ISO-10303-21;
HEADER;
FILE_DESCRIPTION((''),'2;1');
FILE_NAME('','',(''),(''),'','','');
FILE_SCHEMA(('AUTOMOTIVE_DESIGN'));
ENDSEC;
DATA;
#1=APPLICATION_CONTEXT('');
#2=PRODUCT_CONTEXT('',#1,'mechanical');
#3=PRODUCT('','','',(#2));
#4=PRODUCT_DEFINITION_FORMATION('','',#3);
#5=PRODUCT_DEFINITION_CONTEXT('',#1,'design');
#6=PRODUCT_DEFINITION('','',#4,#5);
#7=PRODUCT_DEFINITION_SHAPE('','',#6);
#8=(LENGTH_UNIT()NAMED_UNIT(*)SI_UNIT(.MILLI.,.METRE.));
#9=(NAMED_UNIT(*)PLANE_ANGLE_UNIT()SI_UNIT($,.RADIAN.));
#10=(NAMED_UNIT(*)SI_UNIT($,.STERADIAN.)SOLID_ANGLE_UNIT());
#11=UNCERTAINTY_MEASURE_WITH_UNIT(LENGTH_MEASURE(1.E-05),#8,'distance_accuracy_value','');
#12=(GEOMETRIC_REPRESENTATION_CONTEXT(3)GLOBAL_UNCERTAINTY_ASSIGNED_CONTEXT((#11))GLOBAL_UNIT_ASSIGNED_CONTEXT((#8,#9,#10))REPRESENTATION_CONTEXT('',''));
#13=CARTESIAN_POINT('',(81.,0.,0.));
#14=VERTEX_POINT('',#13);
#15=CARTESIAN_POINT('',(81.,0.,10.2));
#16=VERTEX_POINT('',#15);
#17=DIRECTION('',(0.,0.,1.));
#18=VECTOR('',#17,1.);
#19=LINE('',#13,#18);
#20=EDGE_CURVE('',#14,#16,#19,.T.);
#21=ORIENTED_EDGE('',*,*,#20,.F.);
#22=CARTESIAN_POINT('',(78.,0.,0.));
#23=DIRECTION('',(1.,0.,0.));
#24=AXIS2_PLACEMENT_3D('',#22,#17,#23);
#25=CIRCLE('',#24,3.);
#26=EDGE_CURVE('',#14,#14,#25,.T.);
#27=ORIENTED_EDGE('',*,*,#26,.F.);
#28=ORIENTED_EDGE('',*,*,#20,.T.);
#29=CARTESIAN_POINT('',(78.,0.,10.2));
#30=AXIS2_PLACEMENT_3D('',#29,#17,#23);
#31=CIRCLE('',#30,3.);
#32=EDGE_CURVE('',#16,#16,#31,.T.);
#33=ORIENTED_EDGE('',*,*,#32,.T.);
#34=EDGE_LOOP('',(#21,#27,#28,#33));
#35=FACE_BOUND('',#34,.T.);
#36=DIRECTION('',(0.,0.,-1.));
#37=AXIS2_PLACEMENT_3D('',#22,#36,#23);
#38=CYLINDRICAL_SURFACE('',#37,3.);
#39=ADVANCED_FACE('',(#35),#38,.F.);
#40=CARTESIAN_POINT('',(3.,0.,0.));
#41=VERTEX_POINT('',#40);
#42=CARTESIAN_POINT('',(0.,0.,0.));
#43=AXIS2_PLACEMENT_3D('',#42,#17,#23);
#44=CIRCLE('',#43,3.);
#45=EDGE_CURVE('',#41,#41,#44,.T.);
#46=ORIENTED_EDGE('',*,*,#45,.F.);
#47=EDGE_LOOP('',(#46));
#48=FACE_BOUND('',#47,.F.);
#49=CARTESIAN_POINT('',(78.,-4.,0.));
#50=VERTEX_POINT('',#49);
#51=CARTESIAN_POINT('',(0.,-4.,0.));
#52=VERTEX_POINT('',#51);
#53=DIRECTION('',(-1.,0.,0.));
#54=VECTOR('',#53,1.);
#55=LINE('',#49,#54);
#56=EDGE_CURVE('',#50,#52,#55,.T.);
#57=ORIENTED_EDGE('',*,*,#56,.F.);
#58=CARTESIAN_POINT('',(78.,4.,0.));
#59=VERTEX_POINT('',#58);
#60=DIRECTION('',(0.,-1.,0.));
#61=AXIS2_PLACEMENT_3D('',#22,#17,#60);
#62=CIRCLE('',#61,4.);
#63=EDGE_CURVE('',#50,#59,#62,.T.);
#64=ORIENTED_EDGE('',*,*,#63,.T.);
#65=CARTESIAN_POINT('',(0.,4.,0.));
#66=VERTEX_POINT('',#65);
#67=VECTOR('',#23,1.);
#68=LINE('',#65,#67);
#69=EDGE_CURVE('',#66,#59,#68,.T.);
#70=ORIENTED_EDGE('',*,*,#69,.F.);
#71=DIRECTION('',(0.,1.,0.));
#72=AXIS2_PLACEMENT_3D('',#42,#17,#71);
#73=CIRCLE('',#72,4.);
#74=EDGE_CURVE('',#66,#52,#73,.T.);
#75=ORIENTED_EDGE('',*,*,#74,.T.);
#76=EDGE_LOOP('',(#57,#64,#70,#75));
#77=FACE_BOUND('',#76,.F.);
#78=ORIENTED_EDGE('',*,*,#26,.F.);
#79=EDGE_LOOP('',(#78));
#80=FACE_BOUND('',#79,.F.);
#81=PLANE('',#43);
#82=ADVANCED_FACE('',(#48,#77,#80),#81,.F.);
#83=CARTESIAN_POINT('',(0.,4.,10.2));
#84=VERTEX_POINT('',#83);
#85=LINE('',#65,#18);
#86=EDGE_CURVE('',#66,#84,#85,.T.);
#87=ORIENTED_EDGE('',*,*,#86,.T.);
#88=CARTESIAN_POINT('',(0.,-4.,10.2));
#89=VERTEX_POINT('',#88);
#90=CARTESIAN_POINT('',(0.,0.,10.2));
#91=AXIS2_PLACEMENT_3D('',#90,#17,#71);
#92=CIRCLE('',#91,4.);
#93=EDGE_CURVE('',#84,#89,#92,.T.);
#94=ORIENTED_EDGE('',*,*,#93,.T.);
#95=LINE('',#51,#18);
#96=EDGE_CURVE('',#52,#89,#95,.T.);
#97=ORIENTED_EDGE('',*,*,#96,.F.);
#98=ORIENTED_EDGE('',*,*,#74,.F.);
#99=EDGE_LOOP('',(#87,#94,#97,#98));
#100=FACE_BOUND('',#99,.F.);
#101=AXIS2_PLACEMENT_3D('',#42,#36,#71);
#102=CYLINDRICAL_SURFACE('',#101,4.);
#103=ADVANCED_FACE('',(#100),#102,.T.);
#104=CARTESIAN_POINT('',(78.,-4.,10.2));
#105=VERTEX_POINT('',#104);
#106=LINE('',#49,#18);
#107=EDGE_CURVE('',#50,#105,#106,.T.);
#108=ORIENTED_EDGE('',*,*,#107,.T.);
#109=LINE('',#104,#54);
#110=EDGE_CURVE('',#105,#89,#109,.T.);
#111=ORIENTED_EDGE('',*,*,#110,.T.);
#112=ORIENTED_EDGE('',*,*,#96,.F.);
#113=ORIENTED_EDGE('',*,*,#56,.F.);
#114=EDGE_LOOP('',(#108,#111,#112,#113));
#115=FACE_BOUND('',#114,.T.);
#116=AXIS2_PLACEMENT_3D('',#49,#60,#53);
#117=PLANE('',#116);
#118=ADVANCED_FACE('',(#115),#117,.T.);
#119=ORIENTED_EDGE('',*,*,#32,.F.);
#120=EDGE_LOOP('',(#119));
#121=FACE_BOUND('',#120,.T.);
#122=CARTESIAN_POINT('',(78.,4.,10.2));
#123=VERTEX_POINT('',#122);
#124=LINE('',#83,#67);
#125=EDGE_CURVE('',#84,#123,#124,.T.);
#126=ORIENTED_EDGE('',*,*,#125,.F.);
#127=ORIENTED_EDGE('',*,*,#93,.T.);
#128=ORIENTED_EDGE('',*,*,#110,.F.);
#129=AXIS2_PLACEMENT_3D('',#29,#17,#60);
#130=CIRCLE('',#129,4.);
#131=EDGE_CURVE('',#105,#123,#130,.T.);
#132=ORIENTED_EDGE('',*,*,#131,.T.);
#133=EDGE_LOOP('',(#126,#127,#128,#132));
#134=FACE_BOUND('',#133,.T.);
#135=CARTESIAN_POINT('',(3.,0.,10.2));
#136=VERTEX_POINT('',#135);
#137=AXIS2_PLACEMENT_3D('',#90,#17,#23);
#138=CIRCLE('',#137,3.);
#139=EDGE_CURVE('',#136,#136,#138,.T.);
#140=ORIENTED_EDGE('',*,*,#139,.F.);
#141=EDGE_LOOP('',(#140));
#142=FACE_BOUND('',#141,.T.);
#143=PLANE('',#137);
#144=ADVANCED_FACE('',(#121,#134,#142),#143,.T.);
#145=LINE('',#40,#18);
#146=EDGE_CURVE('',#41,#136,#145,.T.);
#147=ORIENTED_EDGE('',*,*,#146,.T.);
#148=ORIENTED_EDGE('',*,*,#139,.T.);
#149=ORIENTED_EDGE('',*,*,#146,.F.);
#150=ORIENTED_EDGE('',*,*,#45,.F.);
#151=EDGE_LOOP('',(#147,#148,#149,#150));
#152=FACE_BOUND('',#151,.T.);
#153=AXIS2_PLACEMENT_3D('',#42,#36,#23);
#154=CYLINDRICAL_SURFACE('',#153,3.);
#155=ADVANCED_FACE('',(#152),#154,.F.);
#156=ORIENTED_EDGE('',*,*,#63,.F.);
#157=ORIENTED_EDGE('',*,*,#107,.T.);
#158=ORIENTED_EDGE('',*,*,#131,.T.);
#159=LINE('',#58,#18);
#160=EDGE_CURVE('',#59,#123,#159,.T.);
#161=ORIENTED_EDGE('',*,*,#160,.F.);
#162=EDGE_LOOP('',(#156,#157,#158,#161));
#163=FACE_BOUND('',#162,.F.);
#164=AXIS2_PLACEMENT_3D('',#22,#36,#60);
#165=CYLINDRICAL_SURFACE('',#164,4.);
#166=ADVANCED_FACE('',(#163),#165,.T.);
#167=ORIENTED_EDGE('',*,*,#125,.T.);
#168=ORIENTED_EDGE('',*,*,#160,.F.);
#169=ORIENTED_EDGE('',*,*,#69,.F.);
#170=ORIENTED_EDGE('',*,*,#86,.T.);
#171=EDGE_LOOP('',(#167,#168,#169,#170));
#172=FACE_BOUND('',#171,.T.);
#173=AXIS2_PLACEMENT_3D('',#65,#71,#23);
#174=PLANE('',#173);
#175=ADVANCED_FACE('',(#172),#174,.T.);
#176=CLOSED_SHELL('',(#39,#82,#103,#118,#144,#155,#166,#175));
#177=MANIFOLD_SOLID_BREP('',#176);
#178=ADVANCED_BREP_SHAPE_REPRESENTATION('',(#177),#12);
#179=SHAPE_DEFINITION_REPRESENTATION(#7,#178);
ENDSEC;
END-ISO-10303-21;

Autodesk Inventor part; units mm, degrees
ref_plane "YZ Plane" through (0, 0, 0) normal (1, 0, 0) x (0, 1, 0)
ref_plane "XZ Plane" through (0, 0, 0) normal (0, 1, 0) x (-1, 0, 0)
ref_plane "XY Plane" through (0, 0, 0) normal (0, 0, 1) x (1, 0, 0)
sketch "Sketch1" plane through (0, 0, 0) normal (0, 0, 1) x (1, 0, 0)
  point P0 (0, 0)
sketch "Sketch2" plane through (0, 0, 0) normal (0, 0, 1) x (1, 0, 0)
  circle A0 centre (0, 0) radius 3
  circle A1 centre (78, 0) radius 3
  arc A2 (0, 4) -> (0, -4) centre (0, 0) ccw
  arc A3 (78, -4) -> (78, 4) centre (78, 0) ccw
  line L0 (0, 4) -> (78, 4)
  line L1 (78, -4) -> (0, -4)
  dimension "d0" = 6
  dimension "d1" = 6
  dimension "d2" = 78
  dimension "d3" = 8
  dimension "d4" = 8
extrude "Extrusion1" add sketch "Sketch2" along normal blind 10.2
properties part number "Connector to rod"
